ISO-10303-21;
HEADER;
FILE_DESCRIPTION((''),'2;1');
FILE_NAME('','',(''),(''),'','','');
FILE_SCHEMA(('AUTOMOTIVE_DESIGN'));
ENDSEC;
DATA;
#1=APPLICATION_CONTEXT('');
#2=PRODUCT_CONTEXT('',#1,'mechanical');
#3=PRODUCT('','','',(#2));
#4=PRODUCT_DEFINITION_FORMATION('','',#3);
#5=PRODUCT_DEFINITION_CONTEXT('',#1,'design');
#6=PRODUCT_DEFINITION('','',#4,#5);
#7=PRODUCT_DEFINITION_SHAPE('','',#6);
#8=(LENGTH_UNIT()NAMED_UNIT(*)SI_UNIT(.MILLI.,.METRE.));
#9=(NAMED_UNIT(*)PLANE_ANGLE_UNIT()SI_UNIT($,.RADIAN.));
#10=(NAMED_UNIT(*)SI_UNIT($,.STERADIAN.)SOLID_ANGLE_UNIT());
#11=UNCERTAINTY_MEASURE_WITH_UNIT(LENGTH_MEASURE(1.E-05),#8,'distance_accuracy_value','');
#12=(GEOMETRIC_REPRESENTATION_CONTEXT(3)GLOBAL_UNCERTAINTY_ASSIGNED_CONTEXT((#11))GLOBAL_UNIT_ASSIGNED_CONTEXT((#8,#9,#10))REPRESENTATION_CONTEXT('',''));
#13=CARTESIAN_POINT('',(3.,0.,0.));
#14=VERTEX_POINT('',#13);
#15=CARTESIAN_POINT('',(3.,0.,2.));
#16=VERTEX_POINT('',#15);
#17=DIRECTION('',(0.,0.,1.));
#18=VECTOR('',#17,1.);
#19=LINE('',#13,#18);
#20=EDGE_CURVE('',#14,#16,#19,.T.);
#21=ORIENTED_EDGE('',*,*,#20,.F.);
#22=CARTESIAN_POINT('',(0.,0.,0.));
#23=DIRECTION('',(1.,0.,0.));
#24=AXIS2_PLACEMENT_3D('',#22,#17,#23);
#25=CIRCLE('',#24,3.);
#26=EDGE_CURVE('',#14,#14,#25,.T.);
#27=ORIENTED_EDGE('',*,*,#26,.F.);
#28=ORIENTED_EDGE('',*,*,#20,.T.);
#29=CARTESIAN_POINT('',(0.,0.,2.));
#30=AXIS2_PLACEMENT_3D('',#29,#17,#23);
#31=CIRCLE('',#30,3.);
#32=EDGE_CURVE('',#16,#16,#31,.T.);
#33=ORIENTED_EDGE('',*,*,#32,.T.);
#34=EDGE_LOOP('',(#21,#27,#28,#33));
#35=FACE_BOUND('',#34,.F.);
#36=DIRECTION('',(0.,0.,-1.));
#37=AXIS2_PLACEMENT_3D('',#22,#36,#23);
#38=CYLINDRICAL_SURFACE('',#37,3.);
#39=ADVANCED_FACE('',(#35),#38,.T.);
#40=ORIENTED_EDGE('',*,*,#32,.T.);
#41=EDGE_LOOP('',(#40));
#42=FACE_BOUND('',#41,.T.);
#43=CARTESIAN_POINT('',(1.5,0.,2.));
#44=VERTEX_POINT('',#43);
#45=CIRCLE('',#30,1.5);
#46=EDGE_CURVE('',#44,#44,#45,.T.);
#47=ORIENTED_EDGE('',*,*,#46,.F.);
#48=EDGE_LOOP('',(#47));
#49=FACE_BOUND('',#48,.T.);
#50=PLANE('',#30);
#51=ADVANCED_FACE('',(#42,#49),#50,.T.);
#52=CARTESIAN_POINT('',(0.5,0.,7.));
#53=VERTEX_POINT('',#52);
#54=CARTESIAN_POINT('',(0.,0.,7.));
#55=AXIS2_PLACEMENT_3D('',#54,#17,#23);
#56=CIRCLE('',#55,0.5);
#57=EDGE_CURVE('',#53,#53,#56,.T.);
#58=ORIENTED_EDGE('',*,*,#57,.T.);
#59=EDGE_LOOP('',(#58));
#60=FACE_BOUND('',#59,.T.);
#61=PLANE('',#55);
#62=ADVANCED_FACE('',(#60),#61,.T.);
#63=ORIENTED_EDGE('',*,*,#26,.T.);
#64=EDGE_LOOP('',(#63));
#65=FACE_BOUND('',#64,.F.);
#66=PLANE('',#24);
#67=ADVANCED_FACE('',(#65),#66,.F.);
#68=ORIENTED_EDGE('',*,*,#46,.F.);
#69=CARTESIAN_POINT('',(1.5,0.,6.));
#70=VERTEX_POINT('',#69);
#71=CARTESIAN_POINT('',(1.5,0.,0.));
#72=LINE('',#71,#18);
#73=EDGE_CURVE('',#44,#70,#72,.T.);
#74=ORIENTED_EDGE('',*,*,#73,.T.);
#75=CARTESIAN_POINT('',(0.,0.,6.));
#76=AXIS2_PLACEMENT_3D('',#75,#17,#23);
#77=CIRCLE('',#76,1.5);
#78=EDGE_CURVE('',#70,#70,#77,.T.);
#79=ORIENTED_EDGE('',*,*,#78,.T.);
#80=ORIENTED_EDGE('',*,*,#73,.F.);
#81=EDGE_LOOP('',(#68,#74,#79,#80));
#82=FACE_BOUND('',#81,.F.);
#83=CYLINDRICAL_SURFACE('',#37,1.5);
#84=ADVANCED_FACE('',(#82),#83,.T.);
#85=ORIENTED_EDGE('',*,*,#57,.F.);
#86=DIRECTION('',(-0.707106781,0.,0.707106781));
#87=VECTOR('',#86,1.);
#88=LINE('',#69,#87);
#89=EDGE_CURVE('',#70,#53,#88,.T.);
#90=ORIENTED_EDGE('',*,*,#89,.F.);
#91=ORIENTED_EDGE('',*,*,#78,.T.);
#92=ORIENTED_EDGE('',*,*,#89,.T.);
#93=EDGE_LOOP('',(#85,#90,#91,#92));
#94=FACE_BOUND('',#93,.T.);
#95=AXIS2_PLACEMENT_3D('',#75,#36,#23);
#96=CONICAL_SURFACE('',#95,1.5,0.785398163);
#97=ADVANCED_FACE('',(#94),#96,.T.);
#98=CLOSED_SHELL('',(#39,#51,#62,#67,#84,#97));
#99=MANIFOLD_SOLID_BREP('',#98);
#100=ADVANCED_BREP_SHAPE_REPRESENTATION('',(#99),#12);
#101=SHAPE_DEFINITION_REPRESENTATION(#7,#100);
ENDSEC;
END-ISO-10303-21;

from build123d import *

# Parameters (mm, degrees)
F0_R     = 3
F0_R_2   = 1.5
F1_DEPTH = 2
F2_DEPTH = 7
F3_SIZE  = 1


with BuildPart() as f1:
    # F0 (on Top) → F1 (new body)
    with BuildSketch(Plane.XY):
        Circle(F0_R)
        Circle(F0_R_2, mode=Mode.SUBTRACT)
    extrude(amount=F1_DEPTH)

    # F0 (on Top) → F2 (join)
    with BuildSketch(Plane.XY):
        Circle(F0_R_2)
    extrude(amount=F2_DEPTH)

    # F3
    f3_edges = [f1.edges().sort_by_distance(p)[0] for p in [
        (-1.5, 0, 7),
    ]]
    chamfer(f3_edges, length=F3_SIZE)


solid = f1.part
